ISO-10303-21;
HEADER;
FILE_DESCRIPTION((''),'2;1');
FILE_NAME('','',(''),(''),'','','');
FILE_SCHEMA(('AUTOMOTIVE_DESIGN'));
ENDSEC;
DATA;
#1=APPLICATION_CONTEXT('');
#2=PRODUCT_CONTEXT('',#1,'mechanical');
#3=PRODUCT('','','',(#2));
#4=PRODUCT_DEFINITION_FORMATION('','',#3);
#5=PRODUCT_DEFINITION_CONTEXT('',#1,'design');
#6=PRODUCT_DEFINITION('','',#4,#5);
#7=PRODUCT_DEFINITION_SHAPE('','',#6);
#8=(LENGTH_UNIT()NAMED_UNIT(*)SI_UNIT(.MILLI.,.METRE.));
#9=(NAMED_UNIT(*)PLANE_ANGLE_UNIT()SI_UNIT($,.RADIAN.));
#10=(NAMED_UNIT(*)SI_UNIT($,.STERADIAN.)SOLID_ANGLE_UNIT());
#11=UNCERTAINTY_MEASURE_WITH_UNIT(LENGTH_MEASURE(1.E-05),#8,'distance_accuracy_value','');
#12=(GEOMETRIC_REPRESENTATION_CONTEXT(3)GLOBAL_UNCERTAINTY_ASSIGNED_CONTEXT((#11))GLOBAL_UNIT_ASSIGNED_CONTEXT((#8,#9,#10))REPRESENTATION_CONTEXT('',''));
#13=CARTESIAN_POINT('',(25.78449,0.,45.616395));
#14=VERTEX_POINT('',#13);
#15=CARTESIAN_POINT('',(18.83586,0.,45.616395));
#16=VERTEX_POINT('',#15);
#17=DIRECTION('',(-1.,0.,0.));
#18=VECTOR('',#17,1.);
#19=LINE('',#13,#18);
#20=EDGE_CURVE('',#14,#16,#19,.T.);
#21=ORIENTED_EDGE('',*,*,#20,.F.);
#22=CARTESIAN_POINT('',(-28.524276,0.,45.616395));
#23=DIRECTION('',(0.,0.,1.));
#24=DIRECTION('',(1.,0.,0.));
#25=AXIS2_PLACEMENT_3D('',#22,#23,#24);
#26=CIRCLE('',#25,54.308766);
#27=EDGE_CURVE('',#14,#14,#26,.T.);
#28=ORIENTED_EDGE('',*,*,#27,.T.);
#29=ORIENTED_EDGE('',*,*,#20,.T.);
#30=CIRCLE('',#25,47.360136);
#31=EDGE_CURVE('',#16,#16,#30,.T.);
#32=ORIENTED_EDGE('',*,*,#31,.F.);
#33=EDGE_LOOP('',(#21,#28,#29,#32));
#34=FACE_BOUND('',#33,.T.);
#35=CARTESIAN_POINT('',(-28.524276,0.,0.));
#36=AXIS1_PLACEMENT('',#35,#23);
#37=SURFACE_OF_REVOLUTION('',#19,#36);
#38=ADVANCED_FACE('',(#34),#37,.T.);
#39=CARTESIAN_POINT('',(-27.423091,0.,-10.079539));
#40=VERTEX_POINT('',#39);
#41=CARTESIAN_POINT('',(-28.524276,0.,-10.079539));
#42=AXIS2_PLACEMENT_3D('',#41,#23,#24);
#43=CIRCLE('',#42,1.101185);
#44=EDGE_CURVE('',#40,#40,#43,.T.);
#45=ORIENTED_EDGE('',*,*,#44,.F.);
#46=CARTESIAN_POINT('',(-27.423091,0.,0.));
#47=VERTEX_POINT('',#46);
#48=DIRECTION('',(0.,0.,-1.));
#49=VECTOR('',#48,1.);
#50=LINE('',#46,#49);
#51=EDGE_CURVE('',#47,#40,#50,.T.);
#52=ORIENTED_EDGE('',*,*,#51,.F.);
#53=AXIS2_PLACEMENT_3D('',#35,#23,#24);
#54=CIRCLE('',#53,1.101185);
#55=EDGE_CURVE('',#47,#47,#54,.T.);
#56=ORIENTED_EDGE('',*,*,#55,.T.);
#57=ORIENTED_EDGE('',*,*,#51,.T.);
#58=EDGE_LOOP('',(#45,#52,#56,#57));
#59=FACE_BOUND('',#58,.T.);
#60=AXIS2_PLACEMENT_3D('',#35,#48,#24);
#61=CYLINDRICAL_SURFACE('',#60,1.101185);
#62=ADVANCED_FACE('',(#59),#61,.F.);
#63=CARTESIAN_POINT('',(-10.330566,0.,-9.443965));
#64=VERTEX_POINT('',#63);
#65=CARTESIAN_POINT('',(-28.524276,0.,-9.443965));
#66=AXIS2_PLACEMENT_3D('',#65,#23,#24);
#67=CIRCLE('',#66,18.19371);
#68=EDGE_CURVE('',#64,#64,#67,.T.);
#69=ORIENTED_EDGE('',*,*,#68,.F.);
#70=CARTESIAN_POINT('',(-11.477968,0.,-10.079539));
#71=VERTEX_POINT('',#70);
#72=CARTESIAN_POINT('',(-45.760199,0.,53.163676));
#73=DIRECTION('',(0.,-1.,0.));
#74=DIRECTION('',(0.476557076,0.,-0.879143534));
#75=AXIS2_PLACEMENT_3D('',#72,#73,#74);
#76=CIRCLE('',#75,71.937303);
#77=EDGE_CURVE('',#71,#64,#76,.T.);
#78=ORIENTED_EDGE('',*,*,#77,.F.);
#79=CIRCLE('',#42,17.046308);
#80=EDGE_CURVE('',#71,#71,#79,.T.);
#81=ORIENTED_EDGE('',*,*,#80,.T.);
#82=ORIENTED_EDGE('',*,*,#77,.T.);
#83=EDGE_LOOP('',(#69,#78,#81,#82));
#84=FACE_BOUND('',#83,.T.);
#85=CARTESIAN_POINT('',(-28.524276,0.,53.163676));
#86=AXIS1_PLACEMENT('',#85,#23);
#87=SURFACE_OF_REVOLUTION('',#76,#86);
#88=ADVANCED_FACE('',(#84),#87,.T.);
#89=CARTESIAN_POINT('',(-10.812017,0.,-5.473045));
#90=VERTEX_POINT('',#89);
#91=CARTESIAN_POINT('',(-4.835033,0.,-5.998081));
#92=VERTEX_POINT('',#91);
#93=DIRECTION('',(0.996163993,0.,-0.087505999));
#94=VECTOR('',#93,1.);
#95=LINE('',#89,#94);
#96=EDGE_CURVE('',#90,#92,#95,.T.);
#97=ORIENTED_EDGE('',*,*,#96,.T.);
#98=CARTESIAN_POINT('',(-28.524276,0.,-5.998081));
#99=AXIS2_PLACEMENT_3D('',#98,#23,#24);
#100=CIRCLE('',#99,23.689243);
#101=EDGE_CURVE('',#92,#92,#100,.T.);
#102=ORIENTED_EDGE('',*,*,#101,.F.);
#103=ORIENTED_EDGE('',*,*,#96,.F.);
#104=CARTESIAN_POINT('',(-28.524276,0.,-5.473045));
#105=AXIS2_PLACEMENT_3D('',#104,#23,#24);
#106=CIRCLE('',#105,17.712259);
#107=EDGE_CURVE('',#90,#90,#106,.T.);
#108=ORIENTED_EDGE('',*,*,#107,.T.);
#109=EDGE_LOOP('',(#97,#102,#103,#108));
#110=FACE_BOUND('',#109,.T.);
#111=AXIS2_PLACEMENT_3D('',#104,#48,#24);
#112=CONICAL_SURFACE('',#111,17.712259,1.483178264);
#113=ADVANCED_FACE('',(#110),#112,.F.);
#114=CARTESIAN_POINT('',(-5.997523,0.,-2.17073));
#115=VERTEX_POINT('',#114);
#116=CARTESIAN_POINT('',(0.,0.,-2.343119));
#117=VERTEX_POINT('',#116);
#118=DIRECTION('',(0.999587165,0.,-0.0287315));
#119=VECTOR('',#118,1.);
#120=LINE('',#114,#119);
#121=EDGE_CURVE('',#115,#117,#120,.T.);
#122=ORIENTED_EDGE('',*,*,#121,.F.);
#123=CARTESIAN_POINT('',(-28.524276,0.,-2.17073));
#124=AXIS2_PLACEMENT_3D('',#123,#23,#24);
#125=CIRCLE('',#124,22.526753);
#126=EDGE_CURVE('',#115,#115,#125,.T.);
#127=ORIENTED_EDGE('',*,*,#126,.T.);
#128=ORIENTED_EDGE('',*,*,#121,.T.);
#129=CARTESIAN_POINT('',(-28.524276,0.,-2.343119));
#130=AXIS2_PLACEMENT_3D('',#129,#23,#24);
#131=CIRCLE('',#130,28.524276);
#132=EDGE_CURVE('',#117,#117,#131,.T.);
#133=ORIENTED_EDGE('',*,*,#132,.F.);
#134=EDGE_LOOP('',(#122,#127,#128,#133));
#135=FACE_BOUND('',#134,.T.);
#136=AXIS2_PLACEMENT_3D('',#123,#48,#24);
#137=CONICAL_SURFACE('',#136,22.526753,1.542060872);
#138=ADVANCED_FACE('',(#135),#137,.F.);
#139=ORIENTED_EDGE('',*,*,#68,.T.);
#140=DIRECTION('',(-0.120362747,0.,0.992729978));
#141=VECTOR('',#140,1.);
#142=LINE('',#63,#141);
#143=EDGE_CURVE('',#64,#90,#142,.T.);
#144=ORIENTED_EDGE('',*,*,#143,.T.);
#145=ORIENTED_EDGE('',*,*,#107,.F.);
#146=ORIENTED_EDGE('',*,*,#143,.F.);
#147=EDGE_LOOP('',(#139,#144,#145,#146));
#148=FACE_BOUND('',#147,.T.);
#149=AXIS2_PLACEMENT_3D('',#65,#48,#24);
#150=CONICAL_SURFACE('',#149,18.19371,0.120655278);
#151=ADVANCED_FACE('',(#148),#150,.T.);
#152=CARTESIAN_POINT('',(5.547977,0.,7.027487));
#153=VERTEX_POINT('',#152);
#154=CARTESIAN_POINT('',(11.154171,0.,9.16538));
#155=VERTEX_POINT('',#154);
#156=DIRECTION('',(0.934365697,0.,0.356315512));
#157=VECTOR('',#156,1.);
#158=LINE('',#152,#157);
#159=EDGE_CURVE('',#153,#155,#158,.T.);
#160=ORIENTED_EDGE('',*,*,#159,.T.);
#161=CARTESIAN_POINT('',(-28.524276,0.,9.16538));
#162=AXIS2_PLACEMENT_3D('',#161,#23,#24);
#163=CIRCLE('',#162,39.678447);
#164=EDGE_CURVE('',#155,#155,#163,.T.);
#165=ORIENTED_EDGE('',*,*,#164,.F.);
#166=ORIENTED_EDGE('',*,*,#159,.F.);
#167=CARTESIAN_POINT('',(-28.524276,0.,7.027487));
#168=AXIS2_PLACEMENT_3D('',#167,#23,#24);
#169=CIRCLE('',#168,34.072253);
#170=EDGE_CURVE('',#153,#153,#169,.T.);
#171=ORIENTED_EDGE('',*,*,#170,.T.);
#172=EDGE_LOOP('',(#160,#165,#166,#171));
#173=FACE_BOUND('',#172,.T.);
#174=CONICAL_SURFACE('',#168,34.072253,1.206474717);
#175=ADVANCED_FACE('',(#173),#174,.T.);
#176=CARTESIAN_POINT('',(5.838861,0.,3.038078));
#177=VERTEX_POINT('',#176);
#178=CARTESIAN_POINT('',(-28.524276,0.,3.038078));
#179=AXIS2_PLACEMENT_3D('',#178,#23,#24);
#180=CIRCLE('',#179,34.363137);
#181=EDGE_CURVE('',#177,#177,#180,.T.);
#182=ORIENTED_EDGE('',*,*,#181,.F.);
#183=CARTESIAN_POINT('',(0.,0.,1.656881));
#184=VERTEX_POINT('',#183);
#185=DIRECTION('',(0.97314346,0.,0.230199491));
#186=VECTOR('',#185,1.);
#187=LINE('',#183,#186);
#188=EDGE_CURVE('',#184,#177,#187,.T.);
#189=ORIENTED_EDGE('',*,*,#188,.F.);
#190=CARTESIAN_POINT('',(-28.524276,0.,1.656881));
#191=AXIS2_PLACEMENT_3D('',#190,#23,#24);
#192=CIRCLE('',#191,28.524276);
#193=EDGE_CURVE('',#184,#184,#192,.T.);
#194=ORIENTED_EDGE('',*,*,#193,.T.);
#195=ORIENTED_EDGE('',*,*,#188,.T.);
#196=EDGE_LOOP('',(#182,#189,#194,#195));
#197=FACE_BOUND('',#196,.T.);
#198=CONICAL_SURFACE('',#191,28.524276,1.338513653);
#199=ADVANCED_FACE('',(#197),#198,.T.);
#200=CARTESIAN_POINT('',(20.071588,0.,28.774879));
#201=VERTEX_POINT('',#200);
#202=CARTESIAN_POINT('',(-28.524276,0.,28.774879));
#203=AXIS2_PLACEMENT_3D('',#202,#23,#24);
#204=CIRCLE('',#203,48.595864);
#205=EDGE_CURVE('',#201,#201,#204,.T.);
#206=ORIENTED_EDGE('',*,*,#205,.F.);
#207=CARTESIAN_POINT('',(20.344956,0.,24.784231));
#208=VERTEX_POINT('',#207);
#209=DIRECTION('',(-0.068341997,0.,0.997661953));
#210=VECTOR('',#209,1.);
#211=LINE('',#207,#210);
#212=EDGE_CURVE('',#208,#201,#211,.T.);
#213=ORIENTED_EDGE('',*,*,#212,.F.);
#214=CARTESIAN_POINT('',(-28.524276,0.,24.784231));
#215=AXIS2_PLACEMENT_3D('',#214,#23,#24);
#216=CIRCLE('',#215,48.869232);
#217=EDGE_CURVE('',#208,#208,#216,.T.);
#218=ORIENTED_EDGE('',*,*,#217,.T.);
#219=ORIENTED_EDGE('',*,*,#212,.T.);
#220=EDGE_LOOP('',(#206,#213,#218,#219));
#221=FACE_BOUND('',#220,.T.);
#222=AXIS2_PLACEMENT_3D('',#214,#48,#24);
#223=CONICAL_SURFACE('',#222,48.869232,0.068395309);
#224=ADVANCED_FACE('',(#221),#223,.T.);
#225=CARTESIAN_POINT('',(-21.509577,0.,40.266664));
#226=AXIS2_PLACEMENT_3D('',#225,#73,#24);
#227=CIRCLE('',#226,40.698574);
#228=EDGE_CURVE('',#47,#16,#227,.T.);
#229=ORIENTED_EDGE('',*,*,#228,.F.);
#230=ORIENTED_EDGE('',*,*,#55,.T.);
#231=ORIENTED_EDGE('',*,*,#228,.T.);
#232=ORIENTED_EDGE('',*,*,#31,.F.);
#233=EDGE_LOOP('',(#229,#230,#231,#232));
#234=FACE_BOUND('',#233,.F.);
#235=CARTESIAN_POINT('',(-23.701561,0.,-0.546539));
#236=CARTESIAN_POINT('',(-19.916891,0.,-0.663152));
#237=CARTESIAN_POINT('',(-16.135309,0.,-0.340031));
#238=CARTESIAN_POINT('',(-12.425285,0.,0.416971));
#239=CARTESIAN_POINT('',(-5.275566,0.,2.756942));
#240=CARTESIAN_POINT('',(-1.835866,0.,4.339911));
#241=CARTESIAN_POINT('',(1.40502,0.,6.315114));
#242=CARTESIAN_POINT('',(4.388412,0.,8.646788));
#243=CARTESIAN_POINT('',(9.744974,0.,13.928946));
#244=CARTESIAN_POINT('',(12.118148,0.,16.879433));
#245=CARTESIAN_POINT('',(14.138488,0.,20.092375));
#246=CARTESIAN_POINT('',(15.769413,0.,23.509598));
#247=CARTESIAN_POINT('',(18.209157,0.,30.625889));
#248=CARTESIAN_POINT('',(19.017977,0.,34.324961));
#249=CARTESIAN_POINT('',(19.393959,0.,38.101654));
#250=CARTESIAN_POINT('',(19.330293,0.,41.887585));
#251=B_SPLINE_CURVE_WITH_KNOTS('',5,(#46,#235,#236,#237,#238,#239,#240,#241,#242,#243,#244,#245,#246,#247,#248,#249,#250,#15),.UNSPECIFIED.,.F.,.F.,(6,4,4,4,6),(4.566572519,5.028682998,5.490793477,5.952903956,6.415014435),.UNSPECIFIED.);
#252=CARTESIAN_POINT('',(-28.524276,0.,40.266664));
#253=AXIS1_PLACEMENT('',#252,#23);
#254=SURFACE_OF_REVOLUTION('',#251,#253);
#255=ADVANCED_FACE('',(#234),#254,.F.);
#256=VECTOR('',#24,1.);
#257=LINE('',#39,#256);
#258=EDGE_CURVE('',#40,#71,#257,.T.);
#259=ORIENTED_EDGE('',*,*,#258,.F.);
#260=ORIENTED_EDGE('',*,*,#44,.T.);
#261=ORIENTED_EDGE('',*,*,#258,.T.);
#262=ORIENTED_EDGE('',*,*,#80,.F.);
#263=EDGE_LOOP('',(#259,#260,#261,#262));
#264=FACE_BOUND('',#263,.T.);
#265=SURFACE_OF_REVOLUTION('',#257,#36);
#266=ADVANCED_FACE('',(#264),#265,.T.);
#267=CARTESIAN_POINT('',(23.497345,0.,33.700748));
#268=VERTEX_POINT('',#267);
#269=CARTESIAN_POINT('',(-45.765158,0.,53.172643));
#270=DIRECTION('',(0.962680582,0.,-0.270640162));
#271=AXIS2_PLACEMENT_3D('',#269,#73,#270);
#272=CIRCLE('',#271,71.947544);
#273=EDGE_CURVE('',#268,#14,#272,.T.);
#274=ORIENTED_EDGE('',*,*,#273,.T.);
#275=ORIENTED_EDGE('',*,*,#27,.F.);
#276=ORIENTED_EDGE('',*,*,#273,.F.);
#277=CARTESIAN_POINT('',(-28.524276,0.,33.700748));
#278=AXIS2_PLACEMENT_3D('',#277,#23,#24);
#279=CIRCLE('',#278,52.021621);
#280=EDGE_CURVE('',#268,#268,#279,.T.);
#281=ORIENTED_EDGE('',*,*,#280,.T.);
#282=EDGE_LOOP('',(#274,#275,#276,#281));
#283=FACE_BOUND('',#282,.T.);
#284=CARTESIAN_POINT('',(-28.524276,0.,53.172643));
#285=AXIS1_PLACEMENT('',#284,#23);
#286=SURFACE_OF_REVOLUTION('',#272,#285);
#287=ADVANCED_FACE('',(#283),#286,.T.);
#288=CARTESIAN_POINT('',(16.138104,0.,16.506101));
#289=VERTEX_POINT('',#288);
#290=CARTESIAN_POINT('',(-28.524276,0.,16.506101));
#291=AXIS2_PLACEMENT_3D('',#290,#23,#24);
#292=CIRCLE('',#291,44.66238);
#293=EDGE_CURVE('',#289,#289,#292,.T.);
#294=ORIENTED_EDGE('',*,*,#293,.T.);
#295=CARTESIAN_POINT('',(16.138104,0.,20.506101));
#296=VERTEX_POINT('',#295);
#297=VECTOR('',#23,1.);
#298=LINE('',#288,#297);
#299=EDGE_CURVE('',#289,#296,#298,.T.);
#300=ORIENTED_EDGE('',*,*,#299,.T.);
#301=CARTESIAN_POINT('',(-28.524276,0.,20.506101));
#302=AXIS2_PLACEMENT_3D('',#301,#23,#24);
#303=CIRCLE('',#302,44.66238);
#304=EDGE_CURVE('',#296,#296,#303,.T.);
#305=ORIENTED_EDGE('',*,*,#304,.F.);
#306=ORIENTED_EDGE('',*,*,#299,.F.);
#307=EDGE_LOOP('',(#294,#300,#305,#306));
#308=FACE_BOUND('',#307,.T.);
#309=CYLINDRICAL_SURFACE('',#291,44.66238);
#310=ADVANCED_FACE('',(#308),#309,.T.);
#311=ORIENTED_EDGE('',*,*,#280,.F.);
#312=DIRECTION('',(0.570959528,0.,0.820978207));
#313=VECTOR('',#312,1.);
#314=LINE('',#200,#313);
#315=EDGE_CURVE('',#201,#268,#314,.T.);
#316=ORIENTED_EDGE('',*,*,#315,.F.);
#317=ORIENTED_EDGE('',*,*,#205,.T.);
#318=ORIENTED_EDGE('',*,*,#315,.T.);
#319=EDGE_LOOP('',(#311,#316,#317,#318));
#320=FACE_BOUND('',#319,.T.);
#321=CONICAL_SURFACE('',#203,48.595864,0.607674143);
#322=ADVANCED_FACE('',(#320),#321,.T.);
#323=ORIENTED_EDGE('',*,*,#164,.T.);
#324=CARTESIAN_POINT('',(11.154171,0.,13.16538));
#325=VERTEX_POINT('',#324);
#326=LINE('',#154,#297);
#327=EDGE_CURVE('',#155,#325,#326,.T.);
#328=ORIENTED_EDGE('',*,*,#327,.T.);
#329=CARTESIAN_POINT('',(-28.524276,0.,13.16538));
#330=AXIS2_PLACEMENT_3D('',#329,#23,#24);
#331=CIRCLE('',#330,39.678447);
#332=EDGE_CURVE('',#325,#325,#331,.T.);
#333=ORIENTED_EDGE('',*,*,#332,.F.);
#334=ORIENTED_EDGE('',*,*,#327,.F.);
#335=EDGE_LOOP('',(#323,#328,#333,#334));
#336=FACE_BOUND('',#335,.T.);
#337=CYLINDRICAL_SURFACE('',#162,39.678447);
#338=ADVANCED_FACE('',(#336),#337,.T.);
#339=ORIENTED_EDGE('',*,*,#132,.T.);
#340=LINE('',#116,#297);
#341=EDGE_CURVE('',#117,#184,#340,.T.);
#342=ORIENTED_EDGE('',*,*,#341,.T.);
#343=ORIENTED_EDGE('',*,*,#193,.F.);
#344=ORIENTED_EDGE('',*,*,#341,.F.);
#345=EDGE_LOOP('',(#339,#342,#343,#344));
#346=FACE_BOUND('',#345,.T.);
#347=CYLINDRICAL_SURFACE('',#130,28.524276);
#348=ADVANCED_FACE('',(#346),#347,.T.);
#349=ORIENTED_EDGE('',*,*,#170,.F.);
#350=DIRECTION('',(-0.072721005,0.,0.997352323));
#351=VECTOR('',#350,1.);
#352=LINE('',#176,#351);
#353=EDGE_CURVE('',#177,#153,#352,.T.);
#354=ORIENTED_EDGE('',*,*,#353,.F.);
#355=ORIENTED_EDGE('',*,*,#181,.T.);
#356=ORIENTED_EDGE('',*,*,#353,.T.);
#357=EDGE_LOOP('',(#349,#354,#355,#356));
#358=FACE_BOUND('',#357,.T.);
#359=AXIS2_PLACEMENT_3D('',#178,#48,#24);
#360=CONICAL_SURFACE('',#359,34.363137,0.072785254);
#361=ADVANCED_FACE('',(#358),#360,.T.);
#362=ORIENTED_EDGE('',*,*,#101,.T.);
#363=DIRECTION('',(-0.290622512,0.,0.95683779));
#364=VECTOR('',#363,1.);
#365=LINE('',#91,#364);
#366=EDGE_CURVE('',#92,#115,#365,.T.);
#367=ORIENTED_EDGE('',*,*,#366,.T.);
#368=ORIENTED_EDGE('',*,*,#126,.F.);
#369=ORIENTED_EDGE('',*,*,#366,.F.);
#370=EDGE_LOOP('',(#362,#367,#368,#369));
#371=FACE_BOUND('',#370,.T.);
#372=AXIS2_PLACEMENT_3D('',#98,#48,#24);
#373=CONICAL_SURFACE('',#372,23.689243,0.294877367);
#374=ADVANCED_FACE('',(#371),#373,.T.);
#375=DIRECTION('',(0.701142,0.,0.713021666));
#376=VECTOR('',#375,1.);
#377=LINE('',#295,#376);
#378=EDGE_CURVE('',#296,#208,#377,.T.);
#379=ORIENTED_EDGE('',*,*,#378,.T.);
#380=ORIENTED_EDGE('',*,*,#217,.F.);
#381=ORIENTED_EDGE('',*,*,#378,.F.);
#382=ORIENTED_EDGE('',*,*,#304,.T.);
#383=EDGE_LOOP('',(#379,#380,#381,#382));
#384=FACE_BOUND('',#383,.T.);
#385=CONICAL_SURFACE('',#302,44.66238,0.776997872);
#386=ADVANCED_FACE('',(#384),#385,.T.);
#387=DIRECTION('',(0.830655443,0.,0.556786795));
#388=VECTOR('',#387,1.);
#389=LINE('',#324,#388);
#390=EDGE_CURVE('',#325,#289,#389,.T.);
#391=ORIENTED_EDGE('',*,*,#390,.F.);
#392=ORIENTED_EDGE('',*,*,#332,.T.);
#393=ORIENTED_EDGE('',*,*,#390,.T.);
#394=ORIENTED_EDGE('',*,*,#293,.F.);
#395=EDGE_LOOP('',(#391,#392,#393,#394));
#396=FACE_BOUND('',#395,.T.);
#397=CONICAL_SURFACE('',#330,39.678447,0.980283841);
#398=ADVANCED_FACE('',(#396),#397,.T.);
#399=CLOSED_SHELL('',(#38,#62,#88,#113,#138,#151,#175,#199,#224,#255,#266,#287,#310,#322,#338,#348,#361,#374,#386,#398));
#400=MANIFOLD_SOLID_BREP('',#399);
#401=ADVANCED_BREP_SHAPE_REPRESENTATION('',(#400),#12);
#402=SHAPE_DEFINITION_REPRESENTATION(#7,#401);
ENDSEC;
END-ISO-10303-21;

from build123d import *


with BuildPart() as f2:
    # F2: sweep along a path in F1
    with BuildLine(Plane.XY) as f2_path:
        CenterArc((-28.524276, 0), 52.719816, 0, 360)
    # F0 (on Front) → F2 (sweep)
    with BuildSketch(Plane.XZ):
        with BuildLine():
            ThreePointArc((23.497345, 33.700748), (24.892546, 39.610273), (25.78449, 45.616395))
            Line((25.78449, 45.616395), (18.83586, 45.616395))
            ThreePointArc((18.83586, 45.616395), (7.066693, 11.287867), (-27.423091, 0))
            Line((-27.423091, 0), (-27.423091, -10.079539))
            Line((-27.423091, -10.079539), (-11.477968, -10.079539))
            ThreePointArc((-11.477968, -10.079539), (-10.902818, -9.764367), (-10.330566, -9.443965))
            Line((-10.330566, -9.443965), (-10.812017, -5.473045))
            Line((-10.812017, -5.473045), (-4.835033, -5.998081))
            Line((-4.835033, -5.998081), (-5.997523, -2.17073))
            Line((-5.997523, -2.17073), (0, -2.343119))
            Line((0, -2.343119), (0, 1.656881))
            Line((0, 1.656881), (5.838861, 3.038078))
            Line((5.838861, 3.038078), (5.547977, 7.027487))
            Line((5.547977, 7.027487), (11.154171, 9.16538))
            Line((11.154171, 9.16538), (11.154171, 13.16538))
            Line((11.154171, 13.16538), (16.138104, 16.506101))
            Line((16.138104, 16.506101), (16.138104, 20.506101))
            Line((16.138104, 20.506101), (20.344956, 24.784231))
            Line((20.344956, 24.784231), (20.071588, 28.774879))
            Line((20.071588, 28.774879), (23.497345, 33.700748))
        make_face()
    sweep(path=f2_path.line)


solid = f2.part
